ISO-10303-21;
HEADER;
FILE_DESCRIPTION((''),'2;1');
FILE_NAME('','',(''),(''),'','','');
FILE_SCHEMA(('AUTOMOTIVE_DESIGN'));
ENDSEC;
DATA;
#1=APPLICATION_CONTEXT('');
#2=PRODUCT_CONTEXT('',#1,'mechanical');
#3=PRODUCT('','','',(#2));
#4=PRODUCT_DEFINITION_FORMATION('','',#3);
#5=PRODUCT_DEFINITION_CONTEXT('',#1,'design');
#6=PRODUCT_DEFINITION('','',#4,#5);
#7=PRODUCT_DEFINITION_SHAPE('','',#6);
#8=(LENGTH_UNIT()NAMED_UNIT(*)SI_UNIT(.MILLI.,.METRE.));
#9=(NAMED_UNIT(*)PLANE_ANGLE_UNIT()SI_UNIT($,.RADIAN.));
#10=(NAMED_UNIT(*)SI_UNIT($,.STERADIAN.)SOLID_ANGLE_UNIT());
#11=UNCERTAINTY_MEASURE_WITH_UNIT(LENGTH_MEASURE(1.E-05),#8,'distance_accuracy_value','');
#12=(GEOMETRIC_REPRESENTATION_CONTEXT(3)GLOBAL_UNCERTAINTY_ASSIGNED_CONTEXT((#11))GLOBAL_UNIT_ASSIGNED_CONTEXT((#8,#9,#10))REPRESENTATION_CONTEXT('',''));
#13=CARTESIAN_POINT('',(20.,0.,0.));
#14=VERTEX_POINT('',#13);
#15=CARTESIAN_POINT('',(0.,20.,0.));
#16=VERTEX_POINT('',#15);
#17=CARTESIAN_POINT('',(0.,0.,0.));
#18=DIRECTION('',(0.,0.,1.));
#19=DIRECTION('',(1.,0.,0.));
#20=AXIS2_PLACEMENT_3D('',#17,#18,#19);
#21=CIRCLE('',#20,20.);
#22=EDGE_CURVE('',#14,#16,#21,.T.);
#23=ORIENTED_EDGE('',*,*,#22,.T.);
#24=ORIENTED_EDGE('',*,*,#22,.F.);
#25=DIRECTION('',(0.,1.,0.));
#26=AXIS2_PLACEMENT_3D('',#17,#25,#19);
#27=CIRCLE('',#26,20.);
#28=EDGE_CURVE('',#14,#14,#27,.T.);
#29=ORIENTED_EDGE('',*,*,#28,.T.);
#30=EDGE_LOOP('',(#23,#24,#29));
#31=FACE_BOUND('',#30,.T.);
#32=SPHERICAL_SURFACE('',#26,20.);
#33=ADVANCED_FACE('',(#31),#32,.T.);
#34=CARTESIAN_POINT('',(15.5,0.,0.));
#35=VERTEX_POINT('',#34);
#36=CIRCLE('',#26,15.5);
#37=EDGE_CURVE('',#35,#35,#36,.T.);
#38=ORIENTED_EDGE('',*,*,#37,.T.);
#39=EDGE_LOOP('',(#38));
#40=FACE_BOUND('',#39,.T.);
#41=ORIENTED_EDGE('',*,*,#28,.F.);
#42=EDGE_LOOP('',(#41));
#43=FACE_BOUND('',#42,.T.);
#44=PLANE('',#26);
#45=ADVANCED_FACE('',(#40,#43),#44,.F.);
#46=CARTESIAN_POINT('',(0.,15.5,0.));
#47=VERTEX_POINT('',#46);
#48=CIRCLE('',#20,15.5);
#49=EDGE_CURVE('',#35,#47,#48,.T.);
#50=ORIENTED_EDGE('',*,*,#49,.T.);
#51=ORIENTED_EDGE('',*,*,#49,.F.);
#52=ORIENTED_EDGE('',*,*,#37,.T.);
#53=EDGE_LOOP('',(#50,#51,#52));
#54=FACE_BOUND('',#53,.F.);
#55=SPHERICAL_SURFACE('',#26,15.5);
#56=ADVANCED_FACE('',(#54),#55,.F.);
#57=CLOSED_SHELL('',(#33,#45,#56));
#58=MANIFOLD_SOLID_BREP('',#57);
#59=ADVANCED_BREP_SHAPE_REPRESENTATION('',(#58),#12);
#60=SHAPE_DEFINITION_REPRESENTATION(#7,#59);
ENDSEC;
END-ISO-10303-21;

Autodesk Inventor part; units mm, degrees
ref_plane "YZ Plane" through (0, 0, 0) normal (1, 0, 0) x (0, 1, 0)
ref_plane "XZ Plane" through (0, 0, 0) normal (0, 1, 0) x (-1, 0, 0)
ref_plane "XY Plane" through (0, 0, 0) normal (0, 0, 1) x (1, 0, 0)
sketch "Sketch1" plane through (0, 0, 0) normal (0, 0, 1) x (1, 0, 0)
  line L0 (0, 0) -> (0, 20)
  line L1 (0, 0) -> (20, 0)
  arc A0 (20, 0) -> (0, 20) centre (0, 0) ccw
  line L2 (0, -4.8284) -> (0, 28.9706) projected
  dimension "d2" = 20
revolve "Revolution1" add sketch "Sketch1" angle 360 about axis through (0, -10, 0) along (0, 1, 0)
shell "Shell2" thickness 4.5 removed faces 1 at (-2.364, 0, -6.2334)
properties part number "Ball_Upper Half" material "Nylon 6/6"
